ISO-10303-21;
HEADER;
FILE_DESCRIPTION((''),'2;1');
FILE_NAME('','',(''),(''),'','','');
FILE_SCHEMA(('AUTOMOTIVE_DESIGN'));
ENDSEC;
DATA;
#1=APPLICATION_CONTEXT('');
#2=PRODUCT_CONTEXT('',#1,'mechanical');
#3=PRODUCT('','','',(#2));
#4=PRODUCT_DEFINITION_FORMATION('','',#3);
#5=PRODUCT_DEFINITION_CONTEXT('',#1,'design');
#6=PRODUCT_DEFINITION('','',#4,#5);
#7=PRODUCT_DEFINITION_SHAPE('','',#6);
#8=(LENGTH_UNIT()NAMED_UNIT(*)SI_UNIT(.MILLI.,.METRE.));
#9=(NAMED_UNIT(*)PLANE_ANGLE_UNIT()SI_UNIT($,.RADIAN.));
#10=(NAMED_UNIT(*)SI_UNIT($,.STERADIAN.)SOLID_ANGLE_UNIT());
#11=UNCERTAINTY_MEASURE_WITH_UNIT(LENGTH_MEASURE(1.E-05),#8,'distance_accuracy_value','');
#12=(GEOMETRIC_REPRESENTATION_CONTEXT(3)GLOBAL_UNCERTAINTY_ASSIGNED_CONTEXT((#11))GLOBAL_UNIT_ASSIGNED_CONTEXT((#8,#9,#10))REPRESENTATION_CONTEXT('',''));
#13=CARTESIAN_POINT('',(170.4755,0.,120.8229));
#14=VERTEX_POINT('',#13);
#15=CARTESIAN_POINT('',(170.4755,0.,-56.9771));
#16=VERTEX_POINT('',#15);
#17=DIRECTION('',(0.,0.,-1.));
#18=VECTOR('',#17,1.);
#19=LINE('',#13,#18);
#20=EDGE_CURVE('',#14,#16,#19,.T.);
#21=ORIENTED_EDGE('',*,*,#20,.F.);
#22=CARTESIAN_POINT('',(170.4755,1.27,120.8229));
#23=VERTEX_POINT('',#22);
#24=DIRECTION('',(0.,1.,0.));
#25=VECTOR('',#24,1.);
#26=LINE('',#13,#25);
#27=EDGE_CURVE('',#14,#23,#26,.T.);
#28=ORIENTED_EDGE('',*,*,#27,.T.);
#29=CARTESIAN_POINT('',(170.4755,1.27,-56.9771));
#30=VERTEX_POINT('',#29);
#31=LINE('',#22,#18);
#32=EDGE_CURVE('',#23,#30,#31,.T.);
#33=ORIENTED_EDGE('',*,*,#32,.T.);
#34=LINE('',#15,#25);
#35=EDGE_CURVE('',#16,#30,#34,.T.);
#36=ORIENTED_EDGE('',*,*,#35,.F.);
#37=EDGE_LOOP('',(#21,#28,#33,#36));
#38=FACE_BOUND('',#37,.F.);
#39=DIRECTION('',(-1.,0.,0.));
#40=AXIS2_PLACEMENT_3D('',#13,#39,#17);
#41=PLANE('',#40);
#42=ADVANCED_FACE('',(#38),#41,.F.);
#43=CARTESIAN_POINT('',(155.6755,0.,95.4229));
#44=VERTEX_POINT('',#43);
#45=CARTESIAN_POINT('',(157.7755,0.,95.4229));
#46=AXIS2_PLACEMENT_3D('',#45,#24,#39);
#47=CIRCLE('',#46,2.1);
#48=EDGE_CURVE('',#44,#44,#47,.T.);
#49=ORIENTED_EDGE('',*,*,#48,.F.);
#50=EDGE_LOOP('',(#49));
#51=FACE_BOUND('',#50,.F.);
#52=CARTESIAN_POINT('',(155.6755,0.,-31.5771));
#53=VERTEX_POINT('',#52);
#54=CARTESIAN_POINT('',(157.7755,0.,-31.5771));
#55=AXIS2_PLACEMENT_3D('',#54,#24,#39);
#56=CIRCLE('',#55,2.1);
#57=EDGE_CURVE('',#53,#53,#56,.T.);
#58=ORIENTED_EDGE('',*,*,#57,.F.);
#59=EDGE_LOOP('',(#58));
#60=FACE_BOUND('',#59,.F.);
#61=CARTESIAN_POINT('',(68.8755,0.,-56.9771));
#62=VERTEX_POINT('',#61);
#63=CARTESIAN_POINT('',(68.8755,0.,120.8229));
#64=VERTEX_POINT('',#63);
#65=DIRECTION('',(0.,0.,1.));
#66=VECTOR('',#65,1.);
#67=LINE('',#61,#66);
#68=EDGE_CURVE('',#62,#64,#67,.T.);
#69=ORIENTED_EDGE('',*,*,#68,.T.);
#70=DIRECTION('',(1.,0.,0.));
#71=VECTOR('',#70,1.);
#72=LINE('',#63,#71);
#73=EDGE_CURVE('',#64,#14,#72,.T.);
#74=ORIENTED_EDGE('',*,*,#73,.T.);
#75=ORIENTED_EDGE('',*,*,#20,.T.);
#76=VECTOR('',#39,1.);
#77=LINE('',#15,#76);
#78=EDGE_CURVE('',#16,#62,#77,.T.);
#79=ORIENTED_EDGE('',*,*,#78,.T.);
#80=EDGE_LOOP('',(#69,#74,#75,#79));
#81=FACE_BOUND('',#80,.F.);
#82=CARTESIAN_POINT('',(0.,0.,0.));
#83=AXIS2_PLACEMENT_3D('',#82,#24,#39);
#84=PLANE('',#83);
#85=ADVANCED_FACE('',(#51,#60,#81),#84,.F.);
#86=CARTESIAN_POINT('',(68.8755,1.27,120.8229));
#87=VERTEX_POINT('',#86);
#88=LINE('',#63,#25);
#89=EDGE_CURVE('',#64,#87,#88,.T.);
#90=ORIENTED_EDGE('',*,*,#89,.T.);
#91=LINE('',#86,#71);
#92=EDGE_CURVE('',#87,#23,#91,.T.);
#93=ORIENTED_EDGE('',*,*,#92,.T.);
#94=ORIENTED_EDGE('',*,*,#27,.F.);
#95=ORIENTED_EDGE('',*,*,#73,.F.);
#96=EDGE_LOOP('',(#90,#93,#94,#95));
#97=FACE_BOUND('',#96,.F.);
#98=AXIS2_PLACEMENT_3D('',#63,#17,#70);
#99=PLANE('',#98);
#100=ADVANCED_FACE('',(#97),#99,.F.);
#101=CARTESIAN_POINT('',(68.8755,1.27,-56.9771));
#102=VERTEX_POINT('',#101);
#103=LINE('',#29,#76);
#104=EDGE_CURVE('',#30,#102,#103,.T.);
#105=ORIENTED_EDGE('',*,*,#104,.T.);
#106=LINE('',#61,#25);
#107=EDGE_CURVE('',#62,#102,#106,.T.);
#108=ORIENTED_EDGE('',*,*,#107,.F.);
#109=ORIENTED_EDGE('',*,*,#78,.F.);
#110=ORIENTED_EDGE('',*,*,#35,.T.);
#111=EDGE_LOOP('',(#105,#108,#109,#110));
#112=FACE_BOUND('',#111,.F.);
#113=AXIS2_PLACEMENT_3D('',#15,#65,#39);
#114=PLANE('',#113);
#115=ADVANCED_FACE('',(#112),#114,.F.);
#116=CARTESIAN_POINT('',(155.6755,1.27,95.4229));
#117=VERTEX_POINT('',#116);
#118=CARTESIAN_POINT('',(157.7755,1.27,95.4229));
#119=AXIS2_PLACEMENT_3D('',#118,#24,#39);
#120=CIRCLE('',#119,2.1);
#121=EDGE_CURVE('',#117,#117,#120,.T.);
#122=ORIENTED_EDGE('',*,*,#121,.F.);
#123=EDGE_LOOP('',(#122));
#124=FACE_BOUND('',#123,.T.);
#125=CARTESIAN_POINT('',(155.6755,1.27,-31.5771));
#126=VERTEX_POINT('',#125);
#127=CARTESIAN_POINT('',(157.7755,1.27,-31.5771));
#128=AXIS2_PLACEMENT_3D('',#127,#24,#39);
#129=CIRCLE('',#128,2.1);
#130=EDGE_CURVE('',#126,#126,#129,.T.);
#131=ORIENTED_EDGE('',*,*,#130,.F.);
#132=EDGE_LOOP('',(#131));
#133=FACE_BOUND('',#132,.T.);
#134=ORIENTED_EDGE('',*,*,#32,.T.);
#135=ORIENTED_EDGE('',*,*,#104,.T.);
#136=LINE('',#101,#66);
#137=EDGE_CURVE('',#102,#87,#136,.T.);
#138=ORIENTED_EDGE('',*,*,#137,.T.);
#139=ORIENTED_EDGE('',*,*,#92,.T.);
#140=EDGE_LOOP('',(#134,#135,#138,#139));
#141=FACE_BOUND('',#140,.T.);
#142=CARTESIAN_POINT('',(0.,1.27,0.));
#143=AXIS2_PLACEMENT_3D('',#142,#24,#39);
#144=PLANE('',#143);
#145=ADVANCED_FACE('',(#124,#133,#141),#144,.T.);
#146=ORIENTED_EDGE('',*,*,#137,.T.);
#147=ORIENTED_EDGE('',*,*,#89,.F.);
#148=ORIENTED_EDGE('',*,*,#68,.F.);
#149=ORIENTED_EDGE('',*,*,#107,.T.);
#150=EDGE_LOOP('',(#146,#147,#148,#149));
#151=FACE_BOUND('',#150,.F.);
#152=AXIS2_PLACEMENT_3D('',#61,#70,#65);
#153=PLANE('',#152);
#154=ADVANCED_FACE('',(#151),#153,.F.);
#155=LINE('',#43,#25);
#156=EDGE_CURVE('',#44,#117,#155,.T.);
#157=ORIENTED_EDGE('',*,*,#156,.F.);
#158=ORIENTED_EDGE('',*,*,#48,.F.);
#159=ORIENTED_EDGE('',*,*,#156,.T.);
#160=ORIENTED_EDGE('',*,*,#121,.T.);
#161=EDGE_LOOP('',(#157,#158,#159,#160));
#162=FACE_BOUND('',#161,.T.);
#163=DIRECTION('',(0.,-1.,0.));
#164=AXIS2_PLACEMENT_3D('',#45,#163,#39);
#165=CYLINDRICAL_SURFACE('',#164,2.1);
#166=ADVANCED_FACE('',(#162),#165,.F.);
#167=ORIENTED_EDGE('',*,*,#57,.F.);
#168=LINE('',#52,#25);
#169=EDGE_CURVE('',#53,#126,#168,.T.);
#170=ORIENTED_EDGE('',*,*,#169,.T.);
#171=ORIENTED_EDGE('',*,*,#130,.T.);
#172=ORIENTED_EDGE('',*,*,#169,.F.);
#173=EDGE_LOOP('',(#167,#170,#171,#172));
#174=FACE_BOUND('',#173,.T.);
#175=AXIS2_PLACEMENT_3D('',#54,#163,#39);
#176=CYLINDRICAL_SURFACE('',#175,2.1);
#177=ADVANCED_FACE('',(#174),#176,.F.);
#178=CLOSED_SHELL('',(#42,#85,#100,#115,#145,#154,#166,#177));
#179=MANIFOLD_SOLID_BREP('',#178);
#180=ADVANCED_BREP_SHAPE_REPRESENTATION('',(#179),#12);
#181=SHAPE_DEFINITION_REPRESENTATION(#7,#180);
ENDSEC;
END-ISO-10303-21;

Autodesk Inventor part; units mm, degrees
ref_plane "YZ Plane" through (0, 0, 0) normal (1, 0, 0) x (0, 1, 0)
ref_plane "XZ Plane" through (0, 0, 0) normal (0, 1, 0) x (-1, 0, 0)
ref_plane "XY Plane" through (0, 0, 0) normal (0, 0, 1) x (1, 0, 0)
sketch "Sketch1" plane through (0, 0, 0) normal (0, 1, 0) x (-1, 0, 0)
  line L0 (-68.8755, 120.8229) -> (-170.4755, 120.8229)
  line L1 (-170.4755, 120.8229) -> (-170.4755, -56.9771)
  line L2 (-170.4755, -56.9771) -> (-68.8755, -56.9771)
  line L3 (-68.8755, -56.9771) -> (-68.8755, 120.8229)
  circle A0 centre (-157.7755, 95.4229) radius 2.1
  circle A1 centre (-157.7755, -31.5771) radius 2.1
  point P0 (0, 0)
  dimension "d0" = 101.6
  dimension "d1" = 177.8
  dimension "d15" = 127
  dimension "d16" = 12.7
  dimension "d17" = 25.4
  dimension "d18" = 12.7
extrude "Extrusion2" add sketch "Sketch1" along normal blind 1.27
sketch "Sketch2" plane through (0, 1.27, 0) normal (0, 1, 0) x (1, 0, 0)
  line L0 (74.1152, -103.7053) -> (74.1152, 40.0772) construction
  line L1 (74.1152, 40.0772) -> (152.1963, 40.0772) construction
  line L2 (152.1963, 40.0772) -> (152.1963, -103.7053) construction
  line L3 (152.1963, -103.7053) -> (74.1152, -103.7053) construction
properties part number "Plexiglass number plate 2"
